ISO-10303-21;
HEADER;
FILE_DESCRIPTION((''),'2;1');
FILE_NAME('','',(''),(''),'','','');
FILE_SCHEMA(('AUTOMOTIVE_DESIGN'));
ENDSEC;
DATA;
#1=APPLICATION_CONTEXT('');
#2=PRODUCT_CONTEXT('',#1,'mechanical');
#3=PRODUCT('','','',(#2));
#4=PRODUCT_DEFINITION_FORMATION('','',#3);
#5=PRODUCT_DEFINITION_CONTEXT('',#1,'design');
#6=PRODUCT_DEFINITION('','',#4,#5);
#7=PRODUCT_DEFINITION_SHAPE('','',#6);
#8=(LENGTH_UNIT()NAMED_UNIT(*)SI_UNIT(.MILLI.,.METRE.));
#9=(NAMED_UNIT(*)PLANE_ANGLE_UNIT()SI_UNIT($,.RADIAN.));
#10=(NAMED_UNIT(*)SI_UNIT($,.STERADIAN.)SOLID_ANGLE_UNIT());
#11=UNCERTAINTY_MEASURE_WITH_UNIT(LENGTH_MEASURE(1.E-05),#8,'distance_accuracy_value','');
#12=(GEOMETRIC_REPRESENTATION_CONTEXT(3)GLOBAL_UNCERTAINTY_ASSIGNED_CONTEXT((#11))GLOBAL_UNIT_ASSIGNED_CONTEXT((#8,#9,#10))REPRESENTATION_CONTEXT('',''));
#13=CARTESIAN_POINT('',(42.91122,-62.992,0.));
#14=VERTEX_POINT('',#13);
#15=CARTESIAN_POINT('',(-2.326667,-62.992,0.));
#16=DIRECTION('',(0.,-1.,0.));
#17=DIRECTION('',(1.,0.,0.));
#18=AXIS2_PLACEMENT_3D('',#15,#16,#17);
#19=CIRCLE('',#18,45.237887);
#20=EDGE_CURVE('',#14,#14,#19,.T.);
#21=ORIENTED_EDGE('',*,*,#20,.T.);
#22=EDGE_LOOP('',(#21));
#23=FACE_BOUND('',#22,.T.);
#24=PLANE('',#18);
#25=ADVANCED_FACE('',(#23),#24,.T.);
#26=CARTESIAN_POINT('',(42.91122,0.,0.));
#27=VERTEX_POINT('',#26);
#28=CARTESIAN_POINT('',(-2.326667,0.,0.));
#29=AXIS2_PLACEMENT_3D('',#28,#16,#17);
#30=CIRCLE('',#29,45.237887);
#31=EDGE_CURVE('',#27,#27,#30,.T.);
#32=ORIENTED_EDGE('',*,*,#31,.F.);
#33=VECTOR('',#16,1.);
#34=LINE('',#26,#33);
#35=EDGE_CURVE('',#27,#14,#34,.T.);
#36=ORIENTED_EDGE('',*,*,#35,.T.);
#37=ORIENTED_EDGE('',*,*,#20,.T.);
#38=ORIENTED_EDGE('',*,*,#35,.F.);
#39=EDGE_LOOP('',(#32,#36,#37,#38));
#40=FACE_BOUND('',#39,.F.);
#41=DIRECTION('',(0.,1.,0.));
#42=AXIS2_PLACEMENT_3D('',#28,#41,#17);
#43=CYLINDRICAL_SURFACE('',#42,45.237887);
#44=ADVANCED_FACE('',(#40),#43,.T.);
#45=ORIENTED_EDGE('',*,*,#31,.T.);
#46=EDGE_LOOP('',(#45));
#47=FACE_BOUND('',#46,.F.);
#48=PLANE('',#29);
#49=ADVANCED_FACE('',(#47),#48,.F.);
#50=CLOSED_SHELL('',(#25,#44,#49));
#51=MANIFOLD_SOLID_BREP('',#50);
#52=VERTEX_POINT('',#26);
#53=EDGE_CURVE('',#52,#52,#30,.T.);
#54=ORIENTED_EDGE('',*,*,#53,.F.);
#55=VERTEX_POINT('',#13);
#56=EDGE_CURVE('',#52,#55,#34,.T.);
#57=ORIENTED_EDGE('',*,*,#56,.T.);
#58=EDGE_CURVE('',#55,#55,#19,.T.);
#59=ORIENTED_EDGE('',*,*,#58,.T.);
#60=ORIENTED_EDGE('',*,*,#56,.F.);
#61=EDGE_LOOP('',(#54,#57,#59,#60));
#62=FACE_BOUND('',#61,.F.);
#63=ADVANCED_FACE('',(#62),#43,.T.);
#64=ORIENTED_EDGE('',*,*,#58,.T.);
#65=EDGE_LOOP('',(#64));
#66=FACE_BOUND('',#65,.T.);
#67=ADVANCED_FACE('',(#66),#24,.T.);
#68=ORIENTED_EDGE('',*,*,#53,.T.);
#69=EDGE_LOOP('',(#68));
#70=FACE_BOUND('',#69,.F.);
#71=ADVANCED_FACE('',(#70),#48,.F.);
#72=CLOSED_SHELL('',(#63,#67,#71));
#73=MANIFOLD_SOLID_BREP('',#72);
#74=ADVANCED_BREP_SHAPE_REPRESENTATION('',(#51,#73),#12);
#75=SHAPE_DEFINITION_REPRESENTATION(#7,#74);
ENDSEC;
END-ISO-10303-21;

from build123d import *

# Parameters (mm, degrees)
F1_R     = 45.2378868584
F2_DEPTH = 62.992
F0_R     = 45.2378868584


with BuildPart() as f2:
    # F1 (on face) → F2 (new body)
    with BuildSketch(Plane.XZ):
        with Locations((-2.3266673088, 0)):
            Circle(F1_R)
    extrude(amount=F2_DEPTH)


with BuildPart() as f2b:
    # F0 (on Front) → F2, piece 2 (new body)
    with BuildSketch(Plane.XZ):
        with Locations((-2.3266673088, 0)):
            Circle(F0_R)
    extrude(amount=F2_DEPTH)


solid = Compound([f2.part, f2b.part])
